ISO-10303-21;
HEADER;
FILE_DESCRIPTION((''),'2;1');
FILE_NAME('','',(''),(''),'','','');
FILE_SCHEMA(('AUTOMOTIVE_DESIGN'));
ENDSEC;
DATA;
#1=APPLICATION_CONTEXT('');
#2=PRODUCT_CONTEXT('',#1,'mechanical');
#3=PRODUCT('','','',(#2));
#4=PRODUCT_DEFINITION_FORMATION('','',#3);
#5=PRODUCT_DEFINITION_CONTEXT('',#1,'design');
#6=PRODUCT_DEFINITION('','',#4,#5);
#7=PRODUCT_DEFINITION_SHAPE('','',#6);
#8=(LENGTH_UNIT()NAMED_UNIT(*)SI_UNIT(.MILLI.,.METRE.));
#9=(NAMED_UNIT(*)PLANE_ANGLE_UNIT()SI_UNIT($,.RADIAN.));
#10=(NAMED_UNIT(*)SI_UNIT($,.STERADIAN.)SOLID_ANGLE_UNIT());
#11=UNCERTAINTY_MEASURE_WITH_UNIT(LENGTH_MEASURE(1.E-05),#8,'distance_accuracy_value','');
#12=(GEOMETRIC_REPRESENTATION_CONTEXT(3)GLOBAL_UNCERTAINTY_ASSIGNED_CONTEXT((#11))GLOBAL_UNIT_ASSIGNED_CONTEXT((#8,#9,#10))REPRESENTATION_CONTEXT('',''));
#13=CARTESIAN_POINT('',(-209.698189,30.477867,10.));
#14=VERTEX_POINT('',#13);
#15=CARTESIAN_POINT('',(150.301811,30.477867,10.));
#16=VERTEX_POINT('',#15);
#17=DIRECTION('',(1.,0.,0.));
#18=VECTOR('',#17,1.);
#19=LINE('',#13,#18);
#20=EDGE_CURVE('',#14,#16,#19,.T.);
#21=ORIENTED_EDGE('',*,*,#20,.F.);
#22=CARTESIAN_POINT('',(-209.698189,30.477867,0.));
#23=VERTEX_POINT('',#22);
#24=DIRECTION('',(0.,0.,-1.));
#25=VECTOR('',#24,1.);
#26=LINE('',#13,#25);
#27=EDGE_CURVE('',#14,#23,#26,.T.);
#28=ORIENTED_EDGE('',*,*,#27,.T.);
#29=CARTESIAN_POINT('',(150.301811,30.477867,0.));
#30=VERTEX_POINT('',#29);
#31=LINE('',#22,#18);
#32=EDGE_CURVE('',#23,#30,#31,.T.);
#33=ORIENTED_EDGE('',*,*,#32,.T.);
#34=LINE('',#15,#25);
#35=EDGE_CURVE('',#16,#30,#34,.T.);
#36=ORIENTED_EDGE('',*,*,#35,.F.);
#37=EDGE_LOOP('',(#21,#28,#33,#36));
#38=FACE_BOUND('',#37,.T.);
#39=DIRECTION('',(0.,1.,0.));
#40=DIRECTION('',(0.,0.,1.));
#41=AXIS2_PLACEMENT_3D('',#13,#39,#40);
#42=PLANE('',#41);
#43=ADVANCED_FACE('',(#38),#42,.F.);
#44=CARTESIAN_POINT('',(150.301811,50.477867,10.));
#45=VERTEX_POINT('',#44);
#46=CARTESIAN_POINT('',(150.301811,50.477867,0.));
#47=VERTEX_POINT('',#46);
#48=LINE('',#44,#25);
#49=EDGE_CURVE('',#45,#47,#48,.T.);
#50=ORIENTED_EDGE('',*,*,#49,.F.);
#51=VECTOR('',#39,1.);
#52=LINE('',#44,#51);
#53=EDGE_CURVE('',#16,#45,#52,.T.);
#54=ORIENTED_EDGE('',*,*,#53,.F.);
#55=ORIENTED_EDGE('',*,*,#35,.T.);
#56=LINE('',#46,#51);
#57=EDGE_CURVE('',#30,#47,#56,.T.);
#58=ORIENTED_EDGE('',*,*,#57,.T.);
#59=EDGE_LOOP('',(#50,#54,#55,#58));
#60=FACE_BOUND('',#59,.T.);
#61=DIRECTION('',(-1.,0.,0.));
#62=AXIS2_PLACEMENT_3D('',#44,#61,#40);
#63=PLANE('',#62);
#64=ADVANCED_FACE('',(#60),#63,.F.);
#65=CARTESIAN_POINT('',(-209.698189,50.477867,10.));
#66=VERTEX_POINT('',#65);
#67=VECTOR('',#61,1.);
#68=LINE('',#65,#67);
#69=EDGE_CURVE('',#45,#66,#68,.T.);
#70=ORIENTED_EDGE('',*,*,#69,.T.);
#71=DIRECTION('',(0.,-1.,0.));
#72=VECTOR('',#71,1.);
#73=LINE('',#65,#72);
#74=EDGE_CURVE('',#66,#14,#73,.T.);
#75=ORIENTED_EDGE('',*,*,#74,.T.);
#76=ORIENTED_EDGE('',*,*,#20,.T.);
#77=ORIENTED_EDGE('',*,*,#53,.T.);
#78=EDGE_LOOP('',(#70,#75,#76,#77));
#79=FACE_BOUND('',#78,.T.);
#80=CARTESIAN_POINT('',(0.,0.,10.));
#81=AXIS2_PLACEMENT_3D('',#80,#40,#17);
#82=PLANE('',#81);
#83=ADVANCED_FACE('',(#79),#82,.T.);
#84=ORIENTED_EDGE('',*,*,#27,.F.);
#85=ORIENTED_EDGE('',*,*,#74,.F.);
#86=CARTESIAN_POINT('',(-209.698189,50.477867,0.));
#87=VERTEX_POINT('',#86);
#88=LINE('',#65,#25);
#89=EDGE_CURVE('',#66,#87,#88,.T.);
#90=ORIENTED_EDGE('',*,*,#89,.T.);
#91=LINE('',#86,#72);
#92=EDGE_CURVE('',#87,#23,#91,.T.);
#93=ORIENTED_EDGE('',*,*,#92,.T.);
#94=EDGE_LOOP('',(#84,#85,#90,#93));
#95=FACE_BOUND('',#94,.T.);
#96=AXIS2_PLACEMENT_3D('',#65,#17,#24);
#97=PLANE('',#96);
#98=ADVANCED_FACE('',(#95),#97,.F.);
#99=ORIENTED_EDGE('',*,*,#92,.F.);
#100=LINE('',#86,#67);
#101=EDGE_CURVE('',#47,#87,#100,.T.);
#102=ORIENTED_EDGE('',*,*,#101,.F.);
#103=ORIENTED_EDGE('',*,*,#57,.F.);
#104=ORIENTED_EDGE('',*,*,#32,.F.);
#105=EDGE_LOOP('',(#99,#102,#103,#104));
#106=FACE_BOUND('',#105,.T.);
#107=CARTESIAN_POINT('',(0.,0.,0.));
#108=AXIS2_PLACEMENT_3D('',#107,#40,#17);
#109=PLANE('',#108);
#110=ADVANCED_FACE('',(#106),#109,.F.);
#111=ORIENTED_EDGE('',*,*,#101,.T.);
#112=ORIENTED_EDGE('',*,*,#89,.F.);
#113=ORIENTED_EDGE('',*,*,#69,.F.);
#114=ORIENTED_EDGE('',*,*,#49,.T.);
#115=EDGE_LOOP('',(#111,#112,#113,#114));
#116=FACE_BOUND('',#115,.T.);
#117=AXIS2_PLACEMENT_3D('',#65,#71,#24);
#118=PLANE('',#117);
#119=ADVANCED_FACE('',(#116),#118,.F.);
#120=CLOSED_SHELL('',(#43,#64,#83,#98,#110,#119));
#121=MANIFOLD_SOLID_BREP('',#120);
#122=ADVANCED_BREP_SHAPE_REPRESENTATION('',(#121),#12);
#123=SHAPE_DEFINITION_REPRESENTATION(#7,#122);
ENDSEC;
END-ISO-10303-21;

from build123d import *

# Parameters (mm, degrees)
SKETCH1_W           = 360
SKETCH1_H           = 20
BOSS_EXTRUDE1_DEPTH = 10


with BuildPart() as part:
    # Sketch1 → Boss-Extrude1 (new body)
    with BuildSketch(Plane.XY):
        with Locations((-29.698189135, 40.477867203)):
            Rectangle(SKETCH1_W, SKETCH1_H)
    extrude(amount=BOSS_EXTRUDE1_DEPTH)


solid = part.part
